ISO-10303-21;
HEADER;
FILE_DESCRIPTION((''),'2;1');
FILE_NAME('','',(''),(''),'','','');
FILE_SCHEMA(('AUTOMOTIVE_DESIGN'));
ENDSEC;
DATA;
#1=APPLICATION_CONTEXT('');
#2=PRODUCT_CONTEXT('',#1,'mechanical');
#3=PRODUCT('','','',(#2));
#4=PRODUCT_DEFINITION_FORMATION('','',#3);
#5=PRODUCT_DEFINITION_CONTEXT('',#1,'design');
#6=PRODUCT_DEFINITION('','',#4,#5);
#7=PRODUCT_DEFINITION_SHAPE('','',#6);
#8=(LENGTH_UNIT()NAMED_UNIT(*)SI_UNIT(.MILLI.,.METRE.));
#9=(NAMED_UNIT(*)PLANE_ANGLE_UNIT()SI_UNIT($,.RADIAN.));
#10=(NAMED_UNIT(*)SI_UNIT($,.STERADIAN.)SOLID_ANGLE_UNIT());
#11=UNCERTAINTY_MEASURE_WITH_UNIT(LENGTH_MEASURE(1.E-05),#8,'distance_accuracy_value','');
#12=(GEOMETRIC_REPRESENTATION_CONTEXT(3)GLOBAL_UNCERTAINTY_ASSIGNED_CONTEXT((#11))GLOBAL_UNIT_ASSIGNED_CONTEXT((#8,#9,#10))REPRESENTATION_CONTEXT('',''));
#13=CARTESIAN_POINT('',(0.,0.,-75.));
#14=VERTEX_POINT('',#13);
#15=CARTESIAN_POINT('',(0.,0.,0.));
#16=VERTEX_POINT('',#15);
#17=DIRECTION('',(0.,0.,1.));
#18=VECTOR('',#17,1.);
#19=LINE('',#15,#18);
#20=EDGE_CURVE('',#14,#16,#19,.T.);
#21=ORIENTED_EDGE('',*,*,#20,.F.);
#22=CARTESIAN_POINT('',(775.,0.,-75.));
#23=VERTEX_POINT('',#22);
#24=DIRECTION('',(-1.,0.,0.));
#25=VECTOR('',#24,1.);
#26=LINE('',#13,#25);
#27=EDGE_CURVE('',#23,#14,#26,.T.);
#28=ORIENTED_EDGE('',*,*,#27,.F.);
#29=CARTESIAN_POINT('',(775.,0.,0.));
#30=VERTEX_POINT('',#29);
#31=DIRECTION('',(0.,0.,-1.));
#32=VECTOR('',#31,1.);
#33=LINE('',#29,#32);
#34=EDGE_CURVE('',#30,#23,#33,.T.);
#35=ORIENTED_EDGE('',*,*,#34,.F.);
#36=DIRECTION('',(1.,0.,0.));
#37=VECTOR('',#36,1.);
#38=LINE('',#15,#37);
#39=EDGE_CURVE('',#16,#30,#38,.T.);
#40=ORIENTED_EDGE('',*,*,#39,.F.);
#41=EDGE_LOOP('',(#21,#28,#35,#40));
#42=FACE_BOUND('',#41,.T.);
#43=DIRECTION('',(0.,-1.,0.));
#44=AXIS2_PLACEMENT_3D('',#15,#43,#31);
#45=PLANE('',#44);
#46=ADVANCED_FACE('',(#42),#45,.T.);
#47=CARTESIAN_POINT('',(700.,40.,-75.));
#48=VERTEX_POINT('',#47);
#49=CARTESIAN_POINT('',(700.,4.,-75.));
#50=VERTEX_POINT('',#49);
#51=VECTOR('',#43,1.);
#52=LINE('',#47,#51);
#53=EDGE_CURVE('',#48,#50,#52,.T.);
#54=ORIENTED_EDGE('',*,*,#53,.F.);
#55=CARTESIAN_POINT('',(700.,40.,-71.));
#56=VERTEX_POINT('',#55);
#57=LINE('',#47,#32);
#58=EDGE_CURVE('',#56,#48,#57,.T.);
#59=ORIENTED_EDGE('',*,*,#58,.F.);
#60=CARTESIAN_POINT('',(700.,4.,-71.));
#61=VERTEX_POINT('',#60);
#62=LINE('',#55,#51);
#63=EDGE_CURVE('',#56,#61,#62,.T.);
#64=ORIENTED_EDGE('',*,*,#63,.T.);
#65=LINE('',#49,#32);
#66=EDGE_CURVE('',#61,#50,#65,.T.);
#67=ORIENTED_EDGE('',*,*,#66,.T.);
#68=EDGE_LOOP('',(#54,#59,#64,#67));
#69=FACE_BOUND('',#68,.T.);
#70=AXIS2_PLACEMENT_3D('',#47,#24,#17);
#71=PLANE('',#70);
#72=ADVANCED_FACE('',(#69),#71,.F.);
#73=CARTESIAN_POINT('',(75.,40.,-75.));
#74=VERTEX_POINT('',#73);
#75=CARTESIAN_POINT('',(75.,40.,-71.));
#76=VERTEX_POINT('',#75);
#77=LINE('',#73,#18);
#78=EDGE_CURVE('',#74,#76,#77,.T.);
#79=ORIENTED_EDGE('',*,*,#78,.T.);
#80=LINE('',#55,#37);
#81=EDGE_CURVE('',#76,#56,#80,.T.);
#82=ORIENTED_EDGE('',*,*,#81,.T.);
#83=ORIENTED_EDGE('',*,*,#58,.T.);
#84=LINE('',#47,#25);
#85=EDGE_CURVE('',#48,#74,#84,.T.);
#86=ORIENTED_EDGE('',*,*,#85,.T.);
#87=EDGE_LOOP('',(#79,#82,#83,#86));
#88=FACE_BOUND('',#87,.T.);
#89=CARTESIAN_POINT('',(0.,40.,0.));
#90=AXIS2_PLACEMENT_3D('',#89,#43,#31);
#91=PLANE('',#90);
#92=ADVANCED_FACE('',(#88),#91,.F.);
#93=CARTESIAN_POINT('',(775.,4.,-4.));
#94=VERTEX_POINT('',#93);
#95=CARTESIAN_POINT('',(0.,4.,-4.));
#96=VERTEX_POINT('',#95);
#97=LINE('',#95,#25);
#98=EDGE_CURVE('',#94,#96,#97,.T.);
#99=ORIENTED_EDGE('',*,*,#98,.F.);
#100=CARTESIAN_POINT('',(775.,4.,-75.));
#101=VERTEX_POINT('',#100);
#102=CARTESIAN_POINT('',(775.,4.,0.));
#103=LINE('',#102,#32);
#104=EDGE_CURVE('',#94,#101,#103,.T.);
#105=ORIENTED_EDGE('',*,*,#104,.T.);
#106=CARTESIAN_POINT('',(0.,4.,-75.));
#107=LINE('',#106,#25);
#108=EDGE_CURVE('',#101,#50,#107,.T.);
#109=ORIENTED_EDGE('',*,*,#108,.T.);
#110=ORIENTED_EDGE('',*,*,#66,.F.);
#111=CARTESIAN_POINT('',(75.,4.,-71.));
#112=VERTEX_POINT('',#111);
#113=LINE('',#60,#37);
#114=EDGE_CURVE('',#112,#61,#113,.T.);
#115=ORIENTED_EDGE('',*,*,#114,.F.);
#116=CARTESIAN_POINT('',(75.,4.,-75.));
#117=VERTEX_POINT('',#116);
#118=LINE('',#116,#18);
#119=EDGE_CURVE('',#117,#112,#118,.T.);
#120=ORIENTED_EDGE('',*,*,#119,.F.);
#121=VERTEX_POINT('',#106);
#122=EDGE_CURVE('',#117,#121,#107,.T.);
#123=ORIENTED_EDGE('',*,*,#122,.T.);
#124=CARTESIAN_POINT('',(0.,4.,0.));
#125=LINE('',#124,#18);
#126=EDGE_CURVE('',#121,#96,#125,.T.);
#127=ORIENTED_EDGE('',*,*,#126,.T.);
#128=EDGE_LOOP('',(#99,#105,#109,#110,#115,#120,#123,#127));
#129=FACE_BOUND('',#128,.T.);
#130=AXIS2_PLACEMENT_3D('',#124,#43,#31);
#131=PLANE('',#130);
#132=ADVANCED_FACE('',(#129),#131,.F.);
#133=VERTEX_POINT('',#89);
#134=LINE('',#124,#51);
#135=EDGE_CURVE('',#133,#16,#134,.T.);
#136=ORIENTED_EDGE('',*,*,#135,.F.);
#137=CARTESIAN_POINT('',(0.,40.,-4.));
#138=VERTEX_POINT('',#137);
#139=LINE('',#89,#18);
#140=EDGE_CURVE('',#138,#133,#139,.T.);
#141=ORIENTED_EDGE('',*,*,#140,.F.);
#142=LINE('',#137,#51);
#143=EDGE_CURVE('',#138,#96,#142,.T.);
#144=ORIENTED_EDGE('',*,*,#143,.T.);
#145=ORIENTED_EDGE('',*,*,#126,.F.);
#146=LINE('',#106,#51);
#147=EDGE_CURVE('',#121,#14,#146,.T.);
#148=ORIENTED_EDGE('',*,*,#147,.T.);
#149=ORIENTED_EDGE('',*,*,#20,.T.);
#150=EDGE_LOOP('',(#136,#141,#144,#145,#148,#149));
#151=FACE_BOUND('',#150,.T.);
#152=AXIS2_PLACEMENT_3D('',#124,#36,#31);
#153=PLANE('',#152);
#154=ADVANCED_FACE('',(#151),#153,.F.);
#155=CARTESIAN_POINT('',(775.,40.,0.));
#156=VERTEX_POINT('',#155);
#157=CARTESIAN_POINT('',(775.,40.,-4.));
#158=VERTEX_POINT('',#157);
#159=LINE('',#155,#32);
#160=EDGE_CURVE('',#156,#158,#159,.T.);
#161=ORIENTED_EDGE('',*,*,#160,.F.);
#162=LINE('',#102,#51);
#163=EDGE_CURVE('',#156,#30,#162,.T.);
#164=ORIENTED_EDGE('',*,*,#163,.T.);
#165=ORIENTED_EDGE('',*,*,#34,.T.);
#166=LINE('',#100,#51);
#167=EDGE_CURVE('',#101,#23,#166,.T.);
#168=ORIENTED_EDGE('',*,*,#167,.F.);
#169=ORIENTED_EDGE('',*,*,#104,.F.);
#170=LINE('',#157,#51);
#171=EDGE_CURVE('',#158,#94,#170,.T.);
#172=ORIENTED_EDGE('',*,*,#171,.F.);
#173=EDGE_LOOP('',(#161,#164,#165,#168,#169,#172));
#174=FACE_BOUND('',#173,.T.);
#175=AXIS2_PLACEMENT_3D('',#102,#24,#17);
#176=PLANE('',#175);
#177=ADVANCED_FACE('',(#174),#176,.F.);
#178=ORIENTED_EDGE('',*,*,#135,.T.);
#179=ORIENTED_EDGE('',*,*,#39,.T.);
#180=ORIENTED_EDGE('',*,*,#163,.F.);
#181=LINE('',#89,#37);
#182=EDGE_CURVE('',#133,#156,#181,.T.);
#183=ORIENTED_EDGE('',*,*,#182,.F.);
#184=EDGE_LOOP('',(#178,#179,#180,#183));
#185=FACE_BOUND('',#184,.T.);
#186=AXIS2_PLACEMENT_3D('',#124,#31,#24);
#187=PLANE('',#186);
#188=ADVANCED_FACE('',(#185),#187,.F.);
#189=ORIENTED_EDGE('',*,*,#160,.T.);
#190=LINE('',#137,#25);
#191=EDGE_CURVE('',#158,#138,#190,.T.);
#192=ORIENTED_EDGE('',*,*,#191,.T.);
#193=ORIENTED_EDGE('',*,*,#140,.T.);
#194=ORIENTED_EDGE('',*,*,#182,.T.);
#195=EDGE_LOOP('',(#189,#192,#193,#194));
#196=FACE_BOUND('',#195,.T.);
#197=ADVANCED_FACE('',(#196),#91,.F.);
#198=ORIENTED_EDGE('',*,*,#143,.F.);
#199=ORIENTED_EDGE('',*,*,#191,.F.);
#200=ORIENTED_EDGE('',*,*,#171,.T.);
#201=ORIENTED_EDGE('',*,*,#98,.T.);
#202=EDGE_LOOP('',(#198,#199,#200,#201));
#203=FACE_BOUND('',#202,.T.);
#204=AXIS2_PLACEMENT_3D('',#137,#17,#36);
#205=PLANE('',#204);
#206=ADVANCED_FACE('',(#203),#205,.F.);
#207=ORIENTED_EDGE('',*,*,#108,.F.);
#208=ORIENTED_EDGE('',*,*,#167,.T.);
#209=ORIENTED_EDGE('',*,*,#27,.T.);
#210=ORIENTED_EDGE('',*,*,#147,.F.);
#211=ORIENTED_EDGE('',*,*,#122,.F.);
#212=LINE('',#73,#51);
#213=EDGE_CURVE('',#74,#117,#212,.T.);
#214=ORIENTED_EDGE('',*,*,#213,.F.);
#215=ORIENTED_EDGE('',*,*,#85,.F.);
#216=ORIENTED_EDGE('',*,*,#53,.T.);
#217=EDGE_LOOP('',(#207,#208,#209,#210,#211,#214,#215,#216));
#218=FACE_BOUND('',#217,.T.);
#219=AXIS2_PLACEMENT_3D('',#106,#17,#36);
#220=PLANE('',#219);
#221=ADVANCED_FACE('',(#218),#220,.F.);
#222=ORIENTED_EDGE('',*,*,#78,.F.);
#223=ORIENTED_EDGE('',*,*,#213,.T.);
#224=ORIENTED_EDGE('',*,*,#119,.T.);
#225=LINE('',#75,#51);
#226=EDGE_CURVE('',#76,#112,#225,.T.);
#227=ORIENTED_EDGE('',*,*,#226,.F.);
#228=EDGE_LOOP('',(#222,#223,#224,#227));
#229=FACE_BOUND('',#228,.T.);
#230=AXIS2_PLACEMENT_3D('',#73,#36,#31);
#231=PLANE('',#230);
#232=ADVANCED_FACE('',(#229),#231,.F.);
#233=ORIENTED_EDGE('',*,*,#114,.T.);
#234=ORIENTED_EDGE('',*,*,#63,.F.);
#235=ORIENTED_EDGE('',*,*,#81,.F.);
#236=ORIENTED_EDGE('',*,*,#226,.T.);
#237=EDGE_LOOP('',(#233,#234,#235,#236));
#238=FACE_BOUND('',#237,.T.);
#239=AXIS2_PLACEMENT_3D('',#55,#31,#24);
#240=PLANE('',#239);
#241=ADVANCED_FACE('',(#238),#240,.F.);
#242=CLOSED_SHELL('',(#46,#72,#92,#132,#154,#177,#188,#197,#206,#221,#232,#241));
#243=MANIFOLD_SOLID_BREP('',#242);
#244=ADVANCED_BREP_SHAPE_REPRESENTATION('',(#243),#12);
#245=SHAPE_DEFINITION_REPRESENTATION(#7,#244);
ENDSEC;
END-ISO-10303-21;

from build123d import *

# Parameters (mm, degrees)
SKETCH_1_W      = 775
SKETCH_1_H      = 75
EXTRUDE_1_DEPTH = 4
SKETCH_2_W      = 775
SKETCH_2_H      = 4
SKETCH_2_W_2    = 625
EXTRUDE_2_DEPTH = 36


with BuildPart() as part:
    # 스케치1 → 보스-돌출1 (new body)
    with BuildSketch(Plane(origin=(0, 0, 0), x_dir=(1, 0, 0), z_dir=(0, 1, 0))):
        with Locations((387.5, 37.5)):
            Rectangle(SKETCH_1_W, SKETCH_1_H)
    extrude(amount=EXTRUDE_1_DEPTH)

    # 스케치2 → 보스-돌출2 (add)
    with BuildSketch(Plane(origin=(0, 4, 0), x_dir=(1, 0, 0), z_dir=(0, 1, 0))):
        with Locations((387.5, 2)):
            Rectangle(SKETCH_2_W, SKETCH_2_H)
        with Locations((387.5, 73)):
            Rectangle(SKETCH_2_W_2, SKETCH_2_H)
    extrude(amount=EXTRUDE_2_DEPTH)


solid = part.part
